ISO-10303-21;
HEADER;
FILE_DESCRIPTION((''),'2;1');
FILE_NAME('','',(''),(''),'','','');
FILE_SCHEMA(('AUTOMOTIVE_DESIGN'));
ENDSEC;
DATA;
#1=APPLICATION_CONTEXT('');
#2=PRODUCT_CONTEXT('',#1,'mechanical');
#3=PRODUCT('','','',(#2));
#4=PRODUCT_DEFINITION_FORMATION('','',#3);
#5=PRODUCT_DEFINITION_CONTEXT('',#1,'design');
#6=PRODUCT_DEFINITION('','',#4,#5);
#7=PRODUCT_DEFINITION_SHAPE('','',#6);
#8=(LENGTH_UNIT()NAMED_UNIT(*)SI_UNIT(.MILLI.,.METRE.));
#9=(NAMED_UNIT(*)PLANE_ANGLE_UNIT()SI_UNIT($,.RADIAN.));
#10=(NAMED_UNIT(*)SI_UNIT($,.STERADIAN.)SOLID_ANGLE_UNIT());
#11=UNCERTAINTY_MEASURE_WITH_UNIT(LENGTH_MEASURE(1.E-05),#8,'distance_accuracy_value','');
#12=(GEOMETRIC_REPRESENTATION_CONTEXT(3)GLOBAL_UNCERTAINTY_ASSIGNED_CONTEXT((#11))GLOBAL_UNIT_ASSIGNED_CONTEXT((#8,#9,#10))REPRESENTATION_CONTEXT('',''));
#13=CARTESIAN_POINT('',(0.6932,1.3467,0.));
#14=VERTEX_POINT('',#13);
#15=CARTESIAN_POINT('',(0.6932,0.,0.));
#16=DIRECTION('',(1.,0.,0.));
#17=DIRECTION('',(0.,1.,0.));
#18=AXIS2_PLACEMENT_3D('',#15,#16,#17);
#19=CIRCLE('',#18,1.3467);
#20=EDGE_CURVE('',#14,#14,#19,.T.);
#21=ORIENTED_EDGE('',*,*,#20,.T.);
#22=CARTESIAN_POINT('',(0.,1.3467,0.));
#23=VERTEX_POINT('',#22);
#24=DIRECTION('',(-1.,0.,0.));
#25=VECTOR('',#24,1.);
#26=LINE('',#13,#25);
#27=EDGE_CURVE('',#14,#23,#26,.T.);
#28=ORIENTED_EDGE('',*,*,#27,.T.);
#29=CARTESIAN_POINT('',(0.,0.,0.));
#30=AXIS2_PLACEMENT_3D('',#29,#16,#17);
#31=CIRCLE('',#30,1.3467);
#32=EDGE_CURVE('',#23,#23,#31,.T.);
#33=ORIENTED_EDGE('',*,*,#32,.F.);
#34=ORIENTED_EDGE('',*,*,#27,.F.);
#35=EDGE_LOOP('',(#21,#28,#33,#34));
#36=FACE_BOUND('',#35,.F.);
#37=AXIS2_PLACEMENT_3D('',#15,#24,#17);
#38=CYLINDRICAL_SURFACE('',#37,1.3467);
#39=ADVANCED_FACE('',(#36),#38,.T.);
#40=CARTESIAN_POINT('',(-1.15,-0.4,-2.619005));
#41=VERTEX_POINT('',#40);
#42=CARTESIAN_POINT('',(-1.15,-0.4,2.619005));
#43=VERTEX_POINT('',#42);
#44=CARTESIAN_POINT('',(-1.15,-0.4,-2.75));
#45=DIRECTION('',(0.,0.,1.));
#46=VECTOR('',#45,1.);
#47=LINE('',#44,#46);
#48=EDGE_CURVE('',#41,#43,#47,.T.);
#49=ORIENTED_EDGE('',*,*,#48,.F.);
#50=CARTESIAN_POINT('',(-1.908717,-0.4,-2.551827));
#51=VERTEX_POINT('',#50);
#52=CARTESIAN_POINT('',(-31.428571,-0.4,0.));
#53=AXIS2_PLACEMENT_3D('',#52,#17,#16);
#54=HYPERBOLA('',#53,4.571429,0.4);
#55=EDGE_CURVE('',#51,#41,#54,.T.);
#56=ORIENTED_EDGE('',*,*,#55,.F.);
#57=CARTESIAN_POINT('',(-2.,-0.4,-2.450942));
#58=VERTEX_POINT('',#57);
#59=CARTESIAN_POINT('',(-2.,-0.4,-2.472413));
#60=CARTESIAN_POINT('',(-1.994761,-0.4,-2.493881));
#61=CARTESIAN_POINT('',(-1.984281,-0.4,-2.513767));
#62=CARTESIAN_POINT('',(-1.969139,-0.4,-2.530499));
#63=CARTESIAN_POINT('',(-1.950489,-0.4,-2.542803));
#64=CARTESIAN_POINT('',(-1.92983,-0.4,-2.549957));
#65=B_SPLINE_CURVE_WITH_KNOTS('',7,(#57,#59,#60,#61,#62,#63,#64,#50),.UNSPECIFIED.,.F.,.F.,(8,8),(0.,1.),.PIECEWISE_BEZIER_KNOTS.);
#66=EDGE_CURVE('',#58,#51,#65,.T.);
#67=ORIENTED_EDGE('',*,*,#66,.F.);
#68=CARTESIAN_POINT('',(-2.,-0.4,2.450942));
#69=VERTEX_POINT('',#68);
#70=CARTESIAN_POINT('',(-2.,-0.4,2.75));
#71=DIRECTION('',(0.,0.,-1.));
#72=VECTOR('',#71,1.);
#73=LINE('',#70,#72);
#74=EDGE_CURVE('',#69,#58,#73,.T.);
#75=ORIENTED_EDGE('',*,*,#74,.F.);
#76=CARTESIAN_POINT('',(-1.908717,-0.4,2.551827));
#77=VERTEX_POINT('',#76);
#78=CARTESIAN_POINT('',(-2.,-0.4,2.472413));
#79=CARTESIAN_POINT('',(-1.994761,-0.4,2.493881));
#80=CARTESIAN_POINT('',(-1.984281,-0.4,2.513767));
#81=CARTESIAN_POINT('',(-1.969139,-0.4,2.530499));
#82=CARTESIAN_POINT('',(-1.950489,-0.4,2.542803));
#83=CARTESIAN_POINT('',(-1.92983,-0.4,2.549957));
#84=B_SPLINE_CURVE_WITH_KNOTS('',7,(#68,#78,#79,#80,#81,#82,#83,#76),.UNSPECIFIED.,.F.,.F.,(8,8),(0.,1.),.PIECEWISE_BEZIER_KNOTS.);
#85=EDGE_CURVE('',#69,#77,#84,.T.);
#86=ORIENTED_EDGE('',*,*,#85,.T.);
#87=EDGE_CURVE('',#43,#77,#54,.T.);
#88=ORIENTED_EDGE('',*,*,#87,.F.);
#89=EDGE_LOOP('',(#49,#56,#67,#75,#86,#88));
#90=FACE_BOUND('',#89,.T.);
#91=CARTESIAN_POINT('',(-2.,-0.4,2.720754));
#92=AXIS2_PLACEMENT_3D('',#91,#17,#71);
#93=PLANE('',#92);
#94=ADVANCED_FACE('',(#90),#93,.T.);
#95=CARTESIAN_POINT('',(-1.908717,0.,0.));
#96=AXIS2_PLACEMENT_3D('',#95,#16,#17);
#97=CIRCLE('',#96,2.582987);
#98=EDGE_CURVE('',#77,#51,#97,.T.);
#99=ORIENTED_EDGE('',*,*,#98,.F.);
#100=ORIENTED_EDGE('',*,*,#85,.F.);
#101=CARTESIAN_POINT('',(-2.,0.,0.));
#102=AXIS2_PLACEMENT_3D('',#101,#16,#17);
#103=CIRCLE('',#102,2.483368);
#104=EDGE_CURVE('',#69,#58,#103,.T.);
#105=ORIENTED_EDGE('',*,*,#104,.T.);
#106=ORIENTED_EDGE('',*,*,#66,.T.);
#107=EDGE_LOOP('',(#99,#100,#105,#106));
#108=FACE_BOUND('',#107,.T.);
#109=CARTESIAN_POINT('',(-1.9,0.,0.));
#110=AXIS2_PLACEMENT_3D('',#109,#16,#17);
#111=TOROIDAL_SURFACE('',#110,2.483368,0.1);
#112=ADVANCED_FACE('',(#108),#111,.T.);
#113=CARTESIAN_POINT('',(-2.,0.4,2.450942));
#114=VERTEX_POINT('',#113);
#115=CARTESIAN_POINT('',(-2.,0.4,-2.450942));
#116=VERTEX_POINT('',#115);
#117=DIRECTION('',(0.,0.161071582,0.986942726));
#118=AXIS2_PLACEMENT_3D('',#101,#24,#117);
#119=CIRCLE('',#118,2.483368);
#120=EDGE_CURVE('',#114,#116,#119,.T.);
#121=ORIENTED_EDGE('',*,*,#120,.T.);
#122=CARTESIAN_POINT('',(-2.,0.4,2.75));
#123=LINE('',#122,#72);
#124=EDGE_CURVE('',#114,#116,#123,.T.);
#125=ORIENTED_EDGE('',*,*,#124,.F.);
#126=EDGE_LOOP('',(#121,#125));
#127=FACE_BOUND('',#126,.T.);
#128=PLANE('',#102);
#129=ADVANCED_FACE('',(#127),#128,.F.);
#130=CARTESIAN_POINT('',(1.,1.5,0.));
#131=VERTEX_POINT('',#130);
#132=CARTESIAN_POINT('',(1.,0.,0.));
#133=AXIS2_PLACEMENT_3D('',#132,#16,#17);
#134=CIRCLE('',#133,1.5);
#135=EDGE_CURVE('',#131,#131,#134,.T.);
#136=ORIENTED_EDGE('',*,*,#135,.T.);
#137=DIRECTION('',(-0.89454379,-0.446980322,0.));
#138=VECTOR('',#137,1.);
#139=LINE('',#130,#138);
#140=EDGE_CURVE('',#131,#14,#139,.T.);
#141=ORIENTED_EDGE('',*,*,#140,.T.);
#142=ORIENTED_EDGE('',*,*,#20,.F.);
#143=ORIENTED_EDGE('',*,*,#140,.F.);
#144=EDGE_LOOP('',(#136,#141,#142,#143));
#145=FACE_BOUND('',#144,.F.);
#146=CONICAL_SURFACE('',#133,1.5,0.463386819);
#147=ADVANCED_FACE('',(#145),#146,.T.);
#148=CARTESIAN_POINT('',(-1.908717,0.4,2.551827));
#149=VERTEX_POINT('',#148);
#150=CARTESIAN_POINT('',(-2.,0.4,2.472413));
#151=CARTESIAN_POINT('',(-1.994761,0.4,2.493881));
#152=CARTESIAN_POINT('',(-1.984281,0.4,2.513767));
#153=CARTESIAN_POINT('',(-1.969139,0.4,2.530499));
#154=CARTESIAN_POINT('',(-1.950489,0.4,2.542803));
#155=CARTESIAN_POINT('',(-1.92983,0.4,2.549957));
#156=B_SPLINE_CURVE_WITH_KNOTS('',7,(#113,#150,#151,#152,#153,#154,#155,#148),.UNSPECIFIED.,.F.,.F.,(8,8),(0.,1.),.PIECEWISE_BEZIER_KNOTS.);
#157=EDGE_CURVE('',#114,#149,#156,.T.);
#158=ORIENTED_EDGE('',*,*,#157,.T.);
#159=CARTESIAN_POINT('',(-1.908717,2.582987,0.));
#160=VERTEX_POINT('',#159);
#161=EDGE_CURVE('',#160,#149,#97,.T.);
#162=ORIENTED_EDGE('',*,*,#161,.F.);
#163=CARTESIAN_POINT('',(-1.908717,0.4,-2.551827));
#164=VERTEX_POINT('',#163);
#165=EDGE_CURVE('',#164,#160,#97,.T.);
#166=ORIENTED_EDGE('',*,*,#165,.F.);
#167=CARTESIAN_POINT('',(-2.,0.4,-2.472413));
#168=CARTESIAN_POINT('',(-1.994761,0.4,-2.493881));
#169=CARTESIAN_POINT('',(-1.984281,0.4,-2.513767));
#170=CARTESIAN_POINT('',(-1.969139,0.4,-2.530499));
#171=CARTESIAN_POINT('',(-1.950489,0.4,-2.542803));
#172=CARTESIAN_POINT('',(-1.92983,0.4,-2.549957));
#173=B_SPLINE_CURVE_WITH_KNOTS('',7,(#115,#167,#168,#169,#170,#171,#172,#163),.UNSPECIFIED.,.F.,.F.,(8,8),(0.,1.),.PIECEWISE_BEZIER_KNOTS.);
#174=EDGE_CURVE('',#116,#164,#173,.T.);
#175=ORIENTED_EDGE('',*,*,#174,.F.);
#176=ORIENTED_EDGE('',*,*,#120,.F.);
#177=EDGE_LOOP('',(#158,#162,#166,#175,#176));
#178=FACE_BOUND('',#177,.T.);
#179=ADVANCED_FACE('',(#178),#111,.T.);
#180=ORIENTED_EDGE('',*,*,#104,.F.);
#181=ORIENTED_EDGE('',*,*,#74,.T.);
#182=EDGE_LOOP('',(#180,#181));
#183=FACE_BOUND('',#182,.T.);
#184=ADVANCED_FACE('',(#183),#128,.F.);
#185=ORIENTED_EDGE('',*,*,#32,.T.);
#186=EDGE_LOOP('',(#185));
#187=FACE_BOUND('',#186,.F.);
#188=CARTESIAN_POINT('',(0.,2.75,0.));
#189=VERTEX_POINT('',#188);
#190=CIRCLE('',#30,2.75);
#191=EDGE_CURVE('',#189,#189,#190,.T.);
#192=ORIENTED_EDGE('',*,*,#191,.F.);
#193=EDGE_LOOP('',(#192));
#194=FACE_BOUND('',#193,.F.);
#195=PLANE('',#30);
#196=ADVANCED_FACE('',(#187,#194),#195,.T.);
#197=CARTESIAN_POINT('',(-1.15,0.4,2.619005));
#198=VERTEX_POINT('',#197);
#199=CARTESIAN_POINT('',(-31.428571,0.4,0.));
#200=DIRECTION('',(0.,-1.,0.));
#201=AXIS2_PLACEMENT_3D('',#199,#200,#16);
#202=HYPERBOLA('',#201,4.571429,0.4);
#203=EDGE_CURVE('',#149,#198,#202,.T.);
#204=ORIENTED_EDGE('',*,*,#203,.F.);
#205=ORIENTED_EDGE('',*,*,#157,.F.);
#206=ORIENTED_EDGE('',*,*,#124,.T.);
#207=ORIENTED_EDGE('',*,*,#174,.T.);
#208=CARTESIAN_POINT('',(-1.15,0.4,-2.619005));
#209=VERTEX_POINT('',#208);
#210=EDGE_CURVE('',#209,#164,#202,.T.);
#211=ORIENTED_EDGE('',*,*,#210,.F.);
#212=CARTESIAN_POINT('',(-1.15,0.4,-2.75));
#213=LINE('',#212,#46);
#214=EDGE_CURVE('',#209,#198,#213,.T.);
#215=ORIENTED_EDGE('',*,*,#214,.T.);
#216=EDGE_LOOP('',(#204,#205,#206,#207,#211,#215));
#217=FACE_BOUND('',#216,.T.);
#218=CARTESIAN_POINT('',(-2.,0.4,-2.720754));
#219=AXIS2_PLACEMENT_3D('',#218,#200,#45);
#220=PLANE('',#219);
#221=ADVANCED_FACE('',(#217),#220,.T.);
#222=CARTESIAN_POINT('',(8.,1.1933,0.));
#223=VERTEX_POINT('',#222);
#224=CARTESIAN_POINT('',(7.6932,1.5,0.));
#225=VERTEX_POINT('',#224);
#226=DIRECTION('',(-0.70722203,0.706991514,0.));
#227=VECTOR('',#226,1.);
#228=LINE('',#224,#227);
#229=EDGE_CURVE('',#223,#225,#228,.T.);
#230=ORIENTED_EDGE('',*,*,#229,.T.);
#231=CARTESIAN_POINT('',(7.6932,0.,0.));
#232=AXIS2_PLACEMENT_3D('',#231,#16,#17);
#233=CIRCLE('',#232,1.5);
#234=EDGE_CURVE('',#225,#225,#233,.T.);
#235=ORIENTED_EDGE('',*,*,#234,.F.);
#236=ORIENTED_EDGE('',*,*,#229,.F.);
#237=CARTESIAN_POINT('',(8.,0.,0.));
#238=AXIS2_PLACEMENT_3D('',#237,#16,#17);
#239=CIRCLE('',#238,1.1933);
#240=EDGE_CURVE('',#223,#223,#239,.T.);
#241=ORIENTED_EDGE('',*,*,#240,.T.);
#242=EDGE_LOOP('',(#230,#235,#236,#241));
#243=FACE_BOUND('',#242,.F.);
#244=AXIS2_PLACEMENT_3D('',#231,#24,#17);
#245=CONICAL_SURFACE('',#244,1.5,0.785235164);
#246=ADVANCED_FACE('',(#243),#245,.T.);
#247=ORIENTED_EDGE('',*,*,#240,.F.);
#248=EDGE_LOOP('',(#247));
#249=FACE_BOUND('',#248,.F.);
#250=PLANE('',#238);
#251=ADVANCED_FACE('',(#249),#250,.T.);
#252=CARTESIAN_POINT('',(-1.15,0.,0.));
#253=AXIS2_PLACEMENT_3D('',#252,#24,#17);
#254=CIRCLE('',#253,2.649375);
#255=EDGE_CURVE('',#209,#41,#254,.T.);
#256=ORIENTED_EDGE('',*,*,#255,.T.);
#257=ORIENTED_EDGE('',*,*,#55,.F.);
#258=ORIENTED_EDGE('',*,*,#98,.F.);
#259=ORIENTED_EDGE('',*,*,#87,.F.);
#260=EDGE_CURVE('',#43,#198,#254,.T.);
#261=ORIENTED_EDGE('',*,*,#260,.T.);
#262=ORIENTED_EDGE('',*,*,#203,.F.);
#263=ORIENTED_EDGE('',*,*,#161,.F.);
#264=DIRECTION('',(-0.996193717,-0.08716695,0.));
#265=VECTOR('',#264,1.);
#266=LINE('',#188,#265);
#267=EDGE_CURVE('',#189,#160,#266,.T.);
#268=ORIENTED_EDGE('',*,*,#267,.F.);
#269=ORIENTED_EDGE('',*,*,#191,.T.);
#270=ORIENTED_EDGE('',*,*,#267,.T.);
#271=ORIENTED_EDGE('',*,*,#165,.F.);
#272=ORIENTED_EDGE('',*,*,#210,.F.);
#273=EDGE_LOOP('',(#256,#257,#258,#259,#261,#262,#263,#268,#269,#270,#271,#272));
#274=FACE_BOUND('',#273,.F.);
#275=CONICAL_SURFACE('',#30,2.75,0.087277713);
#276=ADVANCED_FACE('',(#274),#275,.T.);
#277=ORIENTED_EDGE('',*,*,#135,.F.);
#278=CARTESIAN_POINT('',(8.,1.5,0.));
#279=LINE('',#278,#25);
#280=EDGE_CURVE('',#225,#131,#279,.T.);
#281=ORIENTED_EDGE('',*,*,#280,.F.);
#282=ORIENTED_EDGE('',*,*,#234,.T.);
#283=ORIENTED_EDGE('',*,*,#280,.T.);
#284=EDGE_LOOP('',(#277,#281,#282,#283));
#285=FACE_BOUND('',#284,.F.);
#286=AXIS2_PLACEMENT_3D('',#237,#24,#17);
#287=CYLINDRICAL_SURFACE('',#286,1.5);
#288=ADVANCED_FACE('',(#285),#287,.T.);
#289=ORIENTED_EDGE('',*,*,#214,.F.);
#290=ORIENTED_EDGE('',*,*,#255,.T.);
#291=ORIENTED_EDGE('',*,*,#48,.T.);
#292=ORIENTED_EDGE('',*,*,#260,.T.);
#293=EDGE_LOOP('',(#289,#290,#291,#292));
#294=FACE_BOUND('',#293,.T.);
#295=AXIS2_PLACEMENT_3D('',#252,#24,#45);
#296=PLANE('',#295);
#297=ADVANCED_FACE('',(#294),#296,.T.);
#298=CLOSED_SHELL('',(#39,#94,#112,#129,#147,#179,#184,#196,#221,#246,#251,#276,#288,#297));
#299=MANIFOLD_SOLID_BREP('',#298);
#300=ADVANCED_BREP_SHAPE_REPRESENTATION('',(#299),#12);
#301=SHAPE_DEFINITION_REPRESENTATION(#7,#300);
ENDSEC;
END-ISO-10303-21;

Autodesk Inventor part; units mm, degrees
ref_plane "YZ Plane" through (0, 0, 0) normal (1, 0, 0) x (0, 1, 0)
ref_plane "XZ Plane" through (0, 0, 0) normal (0, 1, 0) x (-1, 0, 0)
sketch "Sketch1" plane through (0, 0, 0) normal (0, 0, 1) x (1, 0, 0)
  line L0 (-2, 0) -> (8, 0)
  line L1 (8, 0) -> (8, 1.5)
  line L2 (8, 1.5) -> (1, 1.5)
  line L3 (1, 1.5) -> (0.6932, 1.3467)
  line L4 (0.6932, 1.3467) -> (0, 1.3467)
  line L5 (0, 1.3467) -> (0, 2.75)
  line L6 (-4, 0) -> (10, 0) projected
  line L7 (0, -0.55) -> (0, 3.3) projected
  line L8 (-2, 0) -> (-2, 2.575)
  line L9 (0, 2.75) -> (-2, 2.575)
  line L10 (1, 1.5) -> (0, 1.5) construction
  dimension "d0" = 8
  dimension "d1" = 7
  dimension "d2" = 0.3068
  dimension "d3" = 2
  dimension "d4" = 3
  dimension "d5" = 2.6935
  dimension "d9" = 5.5
  dimension "d10" = 5
revolve "Body" add sketch "Sketch1" angle 360 about axis through (-2, 0, 0) along (1, 0, 0)
sketch "Sketch2" plane through (-2, 0, 0) normal (-1, 0, 0) x (0, 0, 1)
  circle A0 centre (0, 0) radius 2.75 projected
  line L0 (0, 0) -> (0, 2.575) projected
  line L1 (-2.75, 0.4) -> (2.75, 0.4)
  line L2 (2.75, 0.4) -> (2.75, -0.4)
  line L3 (2.75, -0.4) -> (-2.75, -0.4)
  line L4 (-2.75, -0.4) -> (-2.75, 0.4)
  line L5 (-2.75, 0) -> (2.75, 0) construction
  line L6 (0, 0.4) -> (0, -0.4) construction
  dimension "d11" = 0.8
  dimension "d12" = 5.5
fillet "Fillet1" radius 0.1 1 edges at (-2, -2.575, 0)
extrude "Slot" cut sketch "Sketch2" against normal blind 0.85 contours A0 L3 L1 | L2 L3 A0 | A0 L1 L2 | A0 L4 L1 | L3 L4 A0
thread "Thread" size "M3x0.5" class "6g" standard "ISO Metric profile" length 7
chamfer "Chamfer1" distance 0.3067 distance2 0.3068 1 edges at (8, -1.5, 0) measured on face at (8, 0.417, 0.2189)
ref_plane "Work Plane1" through (30.1625, 0, 0) normal (0, 0, -1) x (1, 0, 0)
equation "\"d11\" = SBR"
equation "\"d12\" = KOD"
equation "\"d19\" = STI"
equation "\"d14\" = RR"
equation "\"d15\" = GEL"
equation "\"d17\" = -0.5 * SPD + 0.5 * GD"
equation "\"d0\" = NLG"
equation "\"d1\" = GEL"
equation "\"d3\" = KOH"
equation "\"d4\" = GD"
equation "\"d5\" = BDM"
equation "\"d9\" = KOD"
equation "\"d10\" = KEWI"
equation "\"GD\" = NND"
equation "\"NLG\" = 8"
equation "\"GEL\" = 7"
equation "\"KOD\" = 5.5"
equation "\"KOH\" = 2"
equation "\"GAL\" = 0.61345 * PTC"
equation "\"SPD\" = NND - 1.2269 * PTC"
equation "\"BDM\" = 2.6935"
equation "\"GUL\" = 0.61345 * PTC"
equation "\"RR\" = 0.1"
equation "\"SBR\" = 0.8"
equation "\"STI\" = 0.85"
equation "\"KEWI\" = 5deg"
equation "\"PTC\" = 0.5"
equation "\"THREADDIA\" = 3"
equation "\"TOA\" = 30deg"
equation "\"NND\" = 3"
equation "\"GD1\" = THREADDIA - 1.2269 * PTC"
properties part number "ISO 1207 - M3 x 8" material "Stainless Steel, 440C"
